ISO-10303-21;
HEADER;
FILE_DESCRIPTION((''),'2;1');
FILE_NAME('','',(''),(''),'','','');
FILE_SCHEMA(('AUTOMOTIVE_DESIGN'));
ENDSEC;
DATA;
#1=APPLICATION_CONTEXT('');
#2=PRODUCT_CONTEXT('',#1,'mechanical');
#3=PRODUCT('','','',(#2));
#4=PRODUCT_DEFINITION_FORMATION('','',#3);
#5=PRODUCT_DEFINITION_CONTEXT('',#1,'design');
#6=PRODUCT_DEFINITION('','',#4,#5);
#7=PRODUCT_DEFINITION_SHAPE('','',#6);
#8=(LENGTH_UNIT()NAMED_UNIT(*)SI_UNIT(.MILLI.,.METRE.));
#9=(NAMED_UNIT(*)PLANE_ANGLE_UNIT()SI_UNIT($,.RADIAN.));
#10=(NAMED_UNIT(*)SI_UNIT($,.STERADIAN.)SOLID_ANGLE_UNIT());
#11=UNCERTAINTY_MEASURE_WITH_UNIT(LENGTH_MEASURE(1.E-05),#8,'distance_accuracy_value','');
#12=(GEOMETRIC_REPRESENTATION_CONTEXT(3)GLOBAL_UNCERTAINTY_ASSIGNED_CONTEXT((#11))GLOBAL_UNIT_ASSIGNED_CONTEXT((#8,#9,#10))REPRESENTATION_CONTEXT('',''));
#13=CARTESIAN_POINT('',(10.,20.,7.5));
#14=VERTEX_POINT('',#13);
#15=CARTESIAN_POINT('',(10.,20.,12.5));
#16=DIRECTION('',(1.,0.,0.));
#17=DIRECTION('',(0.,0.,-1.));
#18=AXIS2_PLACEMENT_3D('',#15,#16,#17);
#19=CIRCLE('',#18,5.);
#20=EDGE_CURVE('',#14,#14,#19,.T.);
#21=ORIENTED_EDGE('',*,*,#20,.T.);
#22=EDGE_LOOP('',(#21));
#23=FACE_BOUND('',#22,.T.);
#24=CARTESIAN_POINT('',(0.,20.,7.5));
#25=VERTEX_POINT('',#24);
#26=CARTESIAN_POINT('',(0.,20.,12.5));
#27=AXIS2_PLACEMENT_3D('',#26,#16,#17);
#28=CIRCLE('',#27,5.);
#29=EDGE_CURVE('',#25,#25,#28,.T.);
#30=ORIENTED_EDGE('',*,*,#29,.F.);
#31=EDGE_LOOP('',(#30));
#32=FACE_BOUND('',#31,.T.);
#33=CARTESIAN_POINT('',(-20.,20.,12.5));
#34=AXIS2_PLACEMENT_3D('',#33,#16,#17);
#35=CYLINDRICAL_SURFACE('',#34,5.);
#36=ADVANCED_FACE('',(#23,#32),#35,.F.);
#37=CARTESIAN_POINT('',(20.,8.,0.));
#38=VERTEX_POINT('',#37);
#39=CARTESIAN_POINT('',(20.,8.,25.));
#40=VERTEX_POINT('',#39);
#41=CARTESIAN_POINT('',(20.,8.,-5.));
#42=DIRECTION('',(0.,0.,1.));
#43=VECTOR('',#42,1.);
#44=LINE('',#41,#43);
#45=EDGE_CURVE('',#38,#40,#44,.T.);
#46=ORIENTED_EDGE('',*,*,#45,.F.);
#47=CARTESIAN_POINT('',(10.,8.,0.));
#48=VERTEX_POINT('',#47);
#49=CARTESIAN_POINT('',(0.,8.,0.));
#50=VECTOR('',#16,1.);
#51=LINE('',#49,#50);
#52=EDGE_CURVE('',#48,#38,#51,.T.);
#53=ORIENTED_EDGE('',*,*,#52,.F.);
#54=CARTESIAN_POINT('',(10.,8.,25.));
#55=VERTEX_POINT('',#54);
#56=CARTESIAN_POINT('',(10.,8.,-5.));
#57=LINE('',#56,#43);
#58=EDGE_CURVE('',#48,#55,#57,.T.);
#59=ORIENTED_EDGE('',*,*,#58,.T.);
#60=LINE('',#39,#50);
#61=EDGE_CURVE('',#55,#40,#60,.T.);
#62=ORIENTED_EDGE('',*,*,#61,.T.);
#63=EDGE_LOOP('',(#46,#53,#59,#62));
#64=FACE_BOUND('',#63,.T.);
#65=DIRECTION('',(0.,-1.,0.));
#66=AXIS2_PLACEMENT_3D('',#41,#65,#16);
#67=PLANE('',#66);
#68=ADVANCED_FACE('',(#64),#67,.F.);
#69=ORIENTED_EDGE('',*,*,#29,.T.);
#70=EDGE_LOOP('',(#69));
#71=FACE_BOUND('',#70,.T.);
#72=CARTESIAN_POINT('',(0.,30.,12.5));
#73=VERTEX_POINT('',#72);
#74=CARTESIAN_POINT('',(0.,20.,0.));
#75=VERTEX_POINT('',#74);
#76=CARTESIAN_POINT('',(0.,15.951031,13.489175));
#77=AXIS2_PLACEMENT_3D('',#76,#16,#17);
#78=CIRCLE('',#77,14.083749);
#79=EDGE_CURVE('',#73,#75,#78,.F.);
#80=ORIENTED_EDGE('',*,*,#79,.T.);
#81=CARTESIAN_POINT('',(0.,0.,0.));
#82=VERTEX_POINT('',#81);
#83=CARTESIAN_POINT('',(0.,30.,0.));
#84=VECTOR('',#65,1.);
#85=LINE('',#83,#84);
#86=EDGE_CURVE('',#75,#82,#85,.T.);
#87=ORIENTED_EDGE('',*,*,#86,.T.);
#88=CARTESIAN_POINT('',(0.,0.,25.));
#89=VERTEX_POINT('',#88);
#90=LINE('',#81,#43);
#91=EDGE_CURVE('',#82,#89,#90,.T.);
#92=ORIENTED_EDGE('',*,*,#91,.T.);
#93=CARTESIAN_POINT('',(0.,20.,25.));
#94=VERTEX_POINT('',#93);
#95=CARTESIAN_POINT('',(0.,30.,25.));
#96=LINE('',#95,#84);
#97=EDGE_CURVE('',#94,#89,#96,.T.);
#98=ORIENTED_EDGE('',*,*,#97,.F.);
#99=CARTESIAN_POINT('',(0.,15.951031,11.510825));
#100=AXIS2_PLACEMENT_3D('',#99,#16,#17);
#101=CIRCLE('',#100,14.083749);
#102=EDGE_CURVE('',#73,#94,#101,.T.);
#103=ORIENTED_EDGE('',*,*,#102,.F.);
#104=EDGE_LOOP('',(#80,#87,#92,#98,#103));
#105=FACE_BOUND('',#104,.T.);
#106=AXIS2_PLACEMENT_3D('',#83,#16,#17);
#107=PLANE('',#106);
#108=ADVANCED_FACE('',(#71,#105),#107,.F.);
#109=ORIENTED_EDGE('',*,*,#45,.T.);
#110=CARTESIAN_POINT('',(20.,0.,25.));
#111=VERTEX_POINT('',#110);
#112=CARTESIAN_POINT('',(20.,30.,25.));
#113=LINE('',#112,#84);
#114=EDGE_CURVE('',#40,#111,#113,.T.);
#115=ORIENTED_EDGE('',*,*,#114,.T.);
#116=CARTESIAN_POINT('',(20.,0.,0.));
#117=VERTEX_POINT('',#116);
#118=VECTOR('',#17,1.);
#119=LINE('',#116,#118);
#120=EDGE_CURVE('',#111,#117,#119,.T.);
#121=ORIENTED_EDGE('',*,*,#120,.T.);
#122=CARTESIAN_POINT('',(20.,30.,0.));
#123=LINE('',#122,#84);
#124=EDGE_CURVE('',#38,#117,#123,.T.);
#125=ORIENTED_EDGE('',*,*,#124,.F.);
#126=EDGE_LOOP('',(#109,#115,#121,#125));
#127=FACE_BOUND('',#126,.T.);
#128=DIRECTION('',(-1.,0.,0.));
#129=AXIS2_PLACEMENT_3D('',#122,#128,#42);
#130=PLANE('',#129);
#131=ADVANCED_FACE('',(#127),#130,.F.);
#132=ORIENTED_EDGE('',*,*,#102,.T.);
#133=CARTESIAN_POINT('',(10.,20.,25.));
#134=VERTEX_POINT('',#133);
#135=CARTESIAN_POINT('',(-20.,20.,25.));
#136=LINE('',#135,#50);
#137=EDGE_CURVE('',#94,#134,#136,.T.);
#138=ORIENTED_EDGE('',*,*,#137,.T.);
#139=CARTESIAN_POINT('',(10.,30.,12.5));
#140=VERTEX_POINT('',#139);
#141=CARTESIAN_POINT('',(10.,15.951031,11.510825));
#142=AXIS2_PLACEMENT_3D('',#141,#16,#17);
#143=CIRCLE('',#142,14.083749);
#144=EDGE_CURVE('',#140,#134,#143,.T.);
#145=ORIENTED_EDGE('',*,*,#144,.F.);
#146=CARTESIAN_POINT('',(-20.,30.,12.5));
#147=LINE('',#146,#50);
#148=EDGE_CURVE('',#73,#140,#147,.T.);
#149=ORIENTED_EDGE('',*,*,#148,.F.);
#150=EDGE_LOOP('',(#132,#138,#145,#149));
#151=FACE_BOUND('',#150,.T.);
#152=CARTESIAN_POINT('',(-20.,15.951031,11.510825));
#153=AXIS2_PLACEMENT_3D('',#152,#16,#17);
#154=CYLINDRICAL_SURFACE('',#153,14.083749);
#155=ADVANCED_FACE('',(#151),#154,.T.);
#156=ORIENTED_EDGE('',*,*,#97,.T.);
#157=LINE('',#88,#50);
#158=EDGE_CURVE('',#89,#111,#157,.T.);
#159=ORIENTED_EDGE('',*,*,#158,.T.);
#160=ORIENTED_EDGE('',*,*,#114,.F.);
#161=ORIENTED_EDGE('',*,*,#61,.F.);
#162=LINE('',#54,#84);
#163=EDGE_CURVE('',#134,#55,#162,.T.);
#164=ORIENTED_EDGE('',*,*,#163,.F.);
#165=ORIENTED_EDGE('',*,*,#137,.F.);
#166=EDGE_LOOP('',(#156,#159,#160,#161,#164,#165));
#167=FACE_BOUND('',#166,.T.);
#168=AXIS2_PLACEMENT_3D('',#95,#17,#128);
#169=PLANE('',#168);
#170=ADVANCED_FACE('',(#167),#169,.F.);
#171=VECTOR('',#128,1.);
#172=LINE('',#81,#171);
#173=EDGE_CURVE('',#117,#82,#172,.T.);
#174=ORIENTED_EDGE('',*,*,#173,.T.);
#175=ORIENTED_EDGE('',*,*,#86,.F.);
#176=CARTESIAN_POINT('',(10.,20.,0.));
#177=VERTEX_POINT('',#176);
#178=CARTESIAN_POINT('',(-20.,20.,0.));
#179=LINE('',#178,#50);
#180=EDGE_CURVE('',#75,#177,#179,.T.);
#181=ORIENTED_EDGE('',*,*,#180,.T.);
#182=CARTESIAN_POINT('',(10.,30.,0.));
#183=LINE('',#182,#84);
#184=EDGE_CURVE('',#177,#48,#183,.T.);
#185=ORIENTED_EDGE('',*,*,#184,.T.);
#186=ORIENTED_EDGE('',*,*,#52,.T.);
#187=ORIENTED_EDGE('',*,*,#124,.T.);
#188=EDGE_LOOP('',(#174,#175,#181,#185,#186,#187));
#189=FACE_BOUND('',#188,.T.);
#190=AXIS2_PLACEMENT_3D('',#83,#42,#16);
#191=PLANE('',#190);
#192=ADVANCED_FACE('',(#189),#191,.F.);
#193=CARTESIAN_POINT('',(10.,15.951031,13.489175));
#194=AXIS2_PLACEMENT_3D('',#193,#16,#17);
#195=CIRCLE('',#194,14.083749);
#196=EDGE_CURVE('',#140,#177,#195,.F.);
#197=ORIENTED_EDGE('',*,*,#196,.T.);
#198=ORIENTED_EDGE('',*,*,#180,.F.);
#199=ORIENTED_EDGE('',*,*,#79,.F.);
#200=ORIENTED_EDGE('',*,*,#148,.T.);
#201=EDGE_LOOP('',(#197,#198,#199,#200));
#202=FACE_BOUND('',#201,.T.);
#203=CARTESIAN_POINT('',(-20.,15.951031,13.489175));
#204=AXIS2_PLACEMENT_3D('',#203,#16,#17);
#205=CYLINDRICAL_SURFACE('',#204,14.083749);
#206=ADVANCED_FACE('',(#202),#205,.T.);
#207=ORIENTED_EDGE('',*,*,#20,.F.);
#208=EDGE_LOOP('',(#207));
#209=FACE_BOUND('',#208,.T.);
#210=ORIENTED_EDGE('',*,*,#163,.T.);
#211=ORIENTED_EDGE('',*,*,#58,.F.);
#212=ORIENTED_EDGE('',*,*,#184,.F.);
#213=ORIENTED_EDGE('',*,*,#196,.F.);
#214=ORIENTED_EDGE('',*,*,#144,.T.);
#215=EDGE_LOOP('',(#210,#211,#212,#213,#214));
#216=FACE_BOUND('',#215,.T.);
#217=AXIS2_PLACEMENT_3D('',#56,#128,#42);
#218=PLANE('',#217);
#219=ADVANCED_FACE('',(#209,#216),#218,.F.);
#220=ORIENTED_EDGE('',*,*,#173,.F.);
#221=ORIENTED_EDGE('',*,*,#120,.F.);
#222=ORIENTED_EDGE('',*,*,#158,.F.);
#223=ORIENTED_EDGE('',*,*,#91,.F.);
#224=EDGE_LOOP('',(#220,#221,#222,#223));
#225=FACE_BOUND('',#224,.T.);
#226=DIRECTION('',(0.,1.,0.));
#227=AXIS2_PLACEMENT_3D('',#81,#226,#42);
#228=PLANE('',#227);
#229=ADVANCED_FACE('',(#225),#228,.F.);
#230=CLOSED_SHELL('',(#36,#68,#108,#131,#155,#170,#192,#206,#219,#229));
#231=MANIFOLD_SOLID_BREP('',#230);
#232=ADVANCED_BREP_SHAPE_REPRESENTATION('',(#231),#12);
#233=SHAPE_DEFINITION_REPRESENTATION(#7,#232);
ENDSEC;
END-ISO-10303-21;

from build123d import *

# Parameters (mm, degrees)
CROQUIS1_W              = 20
CROQUIS1_H              = 25
SALIENTE_EXTRUIR1_DEPTH = 30
CROQUIS2_W              = 10
CROQUIS2_H              = 22
CORTAR_EXTRUIR1_DEPTH   = 30
CORTAR_EXTRUIR3_DEPTH   = 30
CROQUIS7_R              = 5
CORTAR_EXTRUIR4_DEPTH   = 30


with BuildPart() as part:
    # Croquis1 → Saliente-Extruir1 (new body)
    with BuildSketch(Plane(origin=(0, 0, 0), x_dir=(1, 0, 0), z_dir=(0, 1, 0))):
        with Locations((10, -12.5)):
            Rectangle(CROQUIS1_W, CROQUIS1_H)
    extrude(amount=SALIENTE_EXTRUIR1_DEPTH)

    # Croquis2 → Cortar-Extruir1 (cut)
    with BuildSketch(Plane.XY.offset(25)):
        with Locations((15, 19)):
            Rectangle(CROQUIS2_W, CROQUIS2_H)
    extrude(amount=-CORTAR_EXTRUIR1_DEPTH, mode=Mode.SUBTRACT)

    # Croquis6 → Cortar-Extruir3 (cut)
    with BuildSketch(Plane(origin=(10, 0, 0), x_dir=(0, 0, -1), z_dir=(1, 0, 0))):
        with BuildLine():
            Line((-25, 30), (-25, 20))
            ThreePointArc((-25, 20), (-20.308873363, 26.948591704), (-12.5, 30))
            Line((-12.5, 30), (-25, 30))
        make_face()
        with BuildLine():
            ThreePointArc((-12.5, 30), (-4.691126637, 26.948591704), (0, 20))
            Line((0, 20), (0, 30))
            Line((0, 30), (-12.5, 30))
        make_face()
    extrude(amount=-CORTAR_EXTRUIR3_DEPTH, mode=Mode.SUBTRACT)

    # Croquis7 → Cortar-Extruir4 (cut)
    with BuildSketch(Plane(origin=(10, 0, 0), x_dir=(0, 0, -1), z_dir=(1, 0, 0))):
        with Locations((-12.5, 20)):
            Circle(CROQUIS7_R)
    extrude(amount=-CORTAR_EXTRUIR4_DEPTH, mode=Mode.SUBTRACT)


solid = part.part
